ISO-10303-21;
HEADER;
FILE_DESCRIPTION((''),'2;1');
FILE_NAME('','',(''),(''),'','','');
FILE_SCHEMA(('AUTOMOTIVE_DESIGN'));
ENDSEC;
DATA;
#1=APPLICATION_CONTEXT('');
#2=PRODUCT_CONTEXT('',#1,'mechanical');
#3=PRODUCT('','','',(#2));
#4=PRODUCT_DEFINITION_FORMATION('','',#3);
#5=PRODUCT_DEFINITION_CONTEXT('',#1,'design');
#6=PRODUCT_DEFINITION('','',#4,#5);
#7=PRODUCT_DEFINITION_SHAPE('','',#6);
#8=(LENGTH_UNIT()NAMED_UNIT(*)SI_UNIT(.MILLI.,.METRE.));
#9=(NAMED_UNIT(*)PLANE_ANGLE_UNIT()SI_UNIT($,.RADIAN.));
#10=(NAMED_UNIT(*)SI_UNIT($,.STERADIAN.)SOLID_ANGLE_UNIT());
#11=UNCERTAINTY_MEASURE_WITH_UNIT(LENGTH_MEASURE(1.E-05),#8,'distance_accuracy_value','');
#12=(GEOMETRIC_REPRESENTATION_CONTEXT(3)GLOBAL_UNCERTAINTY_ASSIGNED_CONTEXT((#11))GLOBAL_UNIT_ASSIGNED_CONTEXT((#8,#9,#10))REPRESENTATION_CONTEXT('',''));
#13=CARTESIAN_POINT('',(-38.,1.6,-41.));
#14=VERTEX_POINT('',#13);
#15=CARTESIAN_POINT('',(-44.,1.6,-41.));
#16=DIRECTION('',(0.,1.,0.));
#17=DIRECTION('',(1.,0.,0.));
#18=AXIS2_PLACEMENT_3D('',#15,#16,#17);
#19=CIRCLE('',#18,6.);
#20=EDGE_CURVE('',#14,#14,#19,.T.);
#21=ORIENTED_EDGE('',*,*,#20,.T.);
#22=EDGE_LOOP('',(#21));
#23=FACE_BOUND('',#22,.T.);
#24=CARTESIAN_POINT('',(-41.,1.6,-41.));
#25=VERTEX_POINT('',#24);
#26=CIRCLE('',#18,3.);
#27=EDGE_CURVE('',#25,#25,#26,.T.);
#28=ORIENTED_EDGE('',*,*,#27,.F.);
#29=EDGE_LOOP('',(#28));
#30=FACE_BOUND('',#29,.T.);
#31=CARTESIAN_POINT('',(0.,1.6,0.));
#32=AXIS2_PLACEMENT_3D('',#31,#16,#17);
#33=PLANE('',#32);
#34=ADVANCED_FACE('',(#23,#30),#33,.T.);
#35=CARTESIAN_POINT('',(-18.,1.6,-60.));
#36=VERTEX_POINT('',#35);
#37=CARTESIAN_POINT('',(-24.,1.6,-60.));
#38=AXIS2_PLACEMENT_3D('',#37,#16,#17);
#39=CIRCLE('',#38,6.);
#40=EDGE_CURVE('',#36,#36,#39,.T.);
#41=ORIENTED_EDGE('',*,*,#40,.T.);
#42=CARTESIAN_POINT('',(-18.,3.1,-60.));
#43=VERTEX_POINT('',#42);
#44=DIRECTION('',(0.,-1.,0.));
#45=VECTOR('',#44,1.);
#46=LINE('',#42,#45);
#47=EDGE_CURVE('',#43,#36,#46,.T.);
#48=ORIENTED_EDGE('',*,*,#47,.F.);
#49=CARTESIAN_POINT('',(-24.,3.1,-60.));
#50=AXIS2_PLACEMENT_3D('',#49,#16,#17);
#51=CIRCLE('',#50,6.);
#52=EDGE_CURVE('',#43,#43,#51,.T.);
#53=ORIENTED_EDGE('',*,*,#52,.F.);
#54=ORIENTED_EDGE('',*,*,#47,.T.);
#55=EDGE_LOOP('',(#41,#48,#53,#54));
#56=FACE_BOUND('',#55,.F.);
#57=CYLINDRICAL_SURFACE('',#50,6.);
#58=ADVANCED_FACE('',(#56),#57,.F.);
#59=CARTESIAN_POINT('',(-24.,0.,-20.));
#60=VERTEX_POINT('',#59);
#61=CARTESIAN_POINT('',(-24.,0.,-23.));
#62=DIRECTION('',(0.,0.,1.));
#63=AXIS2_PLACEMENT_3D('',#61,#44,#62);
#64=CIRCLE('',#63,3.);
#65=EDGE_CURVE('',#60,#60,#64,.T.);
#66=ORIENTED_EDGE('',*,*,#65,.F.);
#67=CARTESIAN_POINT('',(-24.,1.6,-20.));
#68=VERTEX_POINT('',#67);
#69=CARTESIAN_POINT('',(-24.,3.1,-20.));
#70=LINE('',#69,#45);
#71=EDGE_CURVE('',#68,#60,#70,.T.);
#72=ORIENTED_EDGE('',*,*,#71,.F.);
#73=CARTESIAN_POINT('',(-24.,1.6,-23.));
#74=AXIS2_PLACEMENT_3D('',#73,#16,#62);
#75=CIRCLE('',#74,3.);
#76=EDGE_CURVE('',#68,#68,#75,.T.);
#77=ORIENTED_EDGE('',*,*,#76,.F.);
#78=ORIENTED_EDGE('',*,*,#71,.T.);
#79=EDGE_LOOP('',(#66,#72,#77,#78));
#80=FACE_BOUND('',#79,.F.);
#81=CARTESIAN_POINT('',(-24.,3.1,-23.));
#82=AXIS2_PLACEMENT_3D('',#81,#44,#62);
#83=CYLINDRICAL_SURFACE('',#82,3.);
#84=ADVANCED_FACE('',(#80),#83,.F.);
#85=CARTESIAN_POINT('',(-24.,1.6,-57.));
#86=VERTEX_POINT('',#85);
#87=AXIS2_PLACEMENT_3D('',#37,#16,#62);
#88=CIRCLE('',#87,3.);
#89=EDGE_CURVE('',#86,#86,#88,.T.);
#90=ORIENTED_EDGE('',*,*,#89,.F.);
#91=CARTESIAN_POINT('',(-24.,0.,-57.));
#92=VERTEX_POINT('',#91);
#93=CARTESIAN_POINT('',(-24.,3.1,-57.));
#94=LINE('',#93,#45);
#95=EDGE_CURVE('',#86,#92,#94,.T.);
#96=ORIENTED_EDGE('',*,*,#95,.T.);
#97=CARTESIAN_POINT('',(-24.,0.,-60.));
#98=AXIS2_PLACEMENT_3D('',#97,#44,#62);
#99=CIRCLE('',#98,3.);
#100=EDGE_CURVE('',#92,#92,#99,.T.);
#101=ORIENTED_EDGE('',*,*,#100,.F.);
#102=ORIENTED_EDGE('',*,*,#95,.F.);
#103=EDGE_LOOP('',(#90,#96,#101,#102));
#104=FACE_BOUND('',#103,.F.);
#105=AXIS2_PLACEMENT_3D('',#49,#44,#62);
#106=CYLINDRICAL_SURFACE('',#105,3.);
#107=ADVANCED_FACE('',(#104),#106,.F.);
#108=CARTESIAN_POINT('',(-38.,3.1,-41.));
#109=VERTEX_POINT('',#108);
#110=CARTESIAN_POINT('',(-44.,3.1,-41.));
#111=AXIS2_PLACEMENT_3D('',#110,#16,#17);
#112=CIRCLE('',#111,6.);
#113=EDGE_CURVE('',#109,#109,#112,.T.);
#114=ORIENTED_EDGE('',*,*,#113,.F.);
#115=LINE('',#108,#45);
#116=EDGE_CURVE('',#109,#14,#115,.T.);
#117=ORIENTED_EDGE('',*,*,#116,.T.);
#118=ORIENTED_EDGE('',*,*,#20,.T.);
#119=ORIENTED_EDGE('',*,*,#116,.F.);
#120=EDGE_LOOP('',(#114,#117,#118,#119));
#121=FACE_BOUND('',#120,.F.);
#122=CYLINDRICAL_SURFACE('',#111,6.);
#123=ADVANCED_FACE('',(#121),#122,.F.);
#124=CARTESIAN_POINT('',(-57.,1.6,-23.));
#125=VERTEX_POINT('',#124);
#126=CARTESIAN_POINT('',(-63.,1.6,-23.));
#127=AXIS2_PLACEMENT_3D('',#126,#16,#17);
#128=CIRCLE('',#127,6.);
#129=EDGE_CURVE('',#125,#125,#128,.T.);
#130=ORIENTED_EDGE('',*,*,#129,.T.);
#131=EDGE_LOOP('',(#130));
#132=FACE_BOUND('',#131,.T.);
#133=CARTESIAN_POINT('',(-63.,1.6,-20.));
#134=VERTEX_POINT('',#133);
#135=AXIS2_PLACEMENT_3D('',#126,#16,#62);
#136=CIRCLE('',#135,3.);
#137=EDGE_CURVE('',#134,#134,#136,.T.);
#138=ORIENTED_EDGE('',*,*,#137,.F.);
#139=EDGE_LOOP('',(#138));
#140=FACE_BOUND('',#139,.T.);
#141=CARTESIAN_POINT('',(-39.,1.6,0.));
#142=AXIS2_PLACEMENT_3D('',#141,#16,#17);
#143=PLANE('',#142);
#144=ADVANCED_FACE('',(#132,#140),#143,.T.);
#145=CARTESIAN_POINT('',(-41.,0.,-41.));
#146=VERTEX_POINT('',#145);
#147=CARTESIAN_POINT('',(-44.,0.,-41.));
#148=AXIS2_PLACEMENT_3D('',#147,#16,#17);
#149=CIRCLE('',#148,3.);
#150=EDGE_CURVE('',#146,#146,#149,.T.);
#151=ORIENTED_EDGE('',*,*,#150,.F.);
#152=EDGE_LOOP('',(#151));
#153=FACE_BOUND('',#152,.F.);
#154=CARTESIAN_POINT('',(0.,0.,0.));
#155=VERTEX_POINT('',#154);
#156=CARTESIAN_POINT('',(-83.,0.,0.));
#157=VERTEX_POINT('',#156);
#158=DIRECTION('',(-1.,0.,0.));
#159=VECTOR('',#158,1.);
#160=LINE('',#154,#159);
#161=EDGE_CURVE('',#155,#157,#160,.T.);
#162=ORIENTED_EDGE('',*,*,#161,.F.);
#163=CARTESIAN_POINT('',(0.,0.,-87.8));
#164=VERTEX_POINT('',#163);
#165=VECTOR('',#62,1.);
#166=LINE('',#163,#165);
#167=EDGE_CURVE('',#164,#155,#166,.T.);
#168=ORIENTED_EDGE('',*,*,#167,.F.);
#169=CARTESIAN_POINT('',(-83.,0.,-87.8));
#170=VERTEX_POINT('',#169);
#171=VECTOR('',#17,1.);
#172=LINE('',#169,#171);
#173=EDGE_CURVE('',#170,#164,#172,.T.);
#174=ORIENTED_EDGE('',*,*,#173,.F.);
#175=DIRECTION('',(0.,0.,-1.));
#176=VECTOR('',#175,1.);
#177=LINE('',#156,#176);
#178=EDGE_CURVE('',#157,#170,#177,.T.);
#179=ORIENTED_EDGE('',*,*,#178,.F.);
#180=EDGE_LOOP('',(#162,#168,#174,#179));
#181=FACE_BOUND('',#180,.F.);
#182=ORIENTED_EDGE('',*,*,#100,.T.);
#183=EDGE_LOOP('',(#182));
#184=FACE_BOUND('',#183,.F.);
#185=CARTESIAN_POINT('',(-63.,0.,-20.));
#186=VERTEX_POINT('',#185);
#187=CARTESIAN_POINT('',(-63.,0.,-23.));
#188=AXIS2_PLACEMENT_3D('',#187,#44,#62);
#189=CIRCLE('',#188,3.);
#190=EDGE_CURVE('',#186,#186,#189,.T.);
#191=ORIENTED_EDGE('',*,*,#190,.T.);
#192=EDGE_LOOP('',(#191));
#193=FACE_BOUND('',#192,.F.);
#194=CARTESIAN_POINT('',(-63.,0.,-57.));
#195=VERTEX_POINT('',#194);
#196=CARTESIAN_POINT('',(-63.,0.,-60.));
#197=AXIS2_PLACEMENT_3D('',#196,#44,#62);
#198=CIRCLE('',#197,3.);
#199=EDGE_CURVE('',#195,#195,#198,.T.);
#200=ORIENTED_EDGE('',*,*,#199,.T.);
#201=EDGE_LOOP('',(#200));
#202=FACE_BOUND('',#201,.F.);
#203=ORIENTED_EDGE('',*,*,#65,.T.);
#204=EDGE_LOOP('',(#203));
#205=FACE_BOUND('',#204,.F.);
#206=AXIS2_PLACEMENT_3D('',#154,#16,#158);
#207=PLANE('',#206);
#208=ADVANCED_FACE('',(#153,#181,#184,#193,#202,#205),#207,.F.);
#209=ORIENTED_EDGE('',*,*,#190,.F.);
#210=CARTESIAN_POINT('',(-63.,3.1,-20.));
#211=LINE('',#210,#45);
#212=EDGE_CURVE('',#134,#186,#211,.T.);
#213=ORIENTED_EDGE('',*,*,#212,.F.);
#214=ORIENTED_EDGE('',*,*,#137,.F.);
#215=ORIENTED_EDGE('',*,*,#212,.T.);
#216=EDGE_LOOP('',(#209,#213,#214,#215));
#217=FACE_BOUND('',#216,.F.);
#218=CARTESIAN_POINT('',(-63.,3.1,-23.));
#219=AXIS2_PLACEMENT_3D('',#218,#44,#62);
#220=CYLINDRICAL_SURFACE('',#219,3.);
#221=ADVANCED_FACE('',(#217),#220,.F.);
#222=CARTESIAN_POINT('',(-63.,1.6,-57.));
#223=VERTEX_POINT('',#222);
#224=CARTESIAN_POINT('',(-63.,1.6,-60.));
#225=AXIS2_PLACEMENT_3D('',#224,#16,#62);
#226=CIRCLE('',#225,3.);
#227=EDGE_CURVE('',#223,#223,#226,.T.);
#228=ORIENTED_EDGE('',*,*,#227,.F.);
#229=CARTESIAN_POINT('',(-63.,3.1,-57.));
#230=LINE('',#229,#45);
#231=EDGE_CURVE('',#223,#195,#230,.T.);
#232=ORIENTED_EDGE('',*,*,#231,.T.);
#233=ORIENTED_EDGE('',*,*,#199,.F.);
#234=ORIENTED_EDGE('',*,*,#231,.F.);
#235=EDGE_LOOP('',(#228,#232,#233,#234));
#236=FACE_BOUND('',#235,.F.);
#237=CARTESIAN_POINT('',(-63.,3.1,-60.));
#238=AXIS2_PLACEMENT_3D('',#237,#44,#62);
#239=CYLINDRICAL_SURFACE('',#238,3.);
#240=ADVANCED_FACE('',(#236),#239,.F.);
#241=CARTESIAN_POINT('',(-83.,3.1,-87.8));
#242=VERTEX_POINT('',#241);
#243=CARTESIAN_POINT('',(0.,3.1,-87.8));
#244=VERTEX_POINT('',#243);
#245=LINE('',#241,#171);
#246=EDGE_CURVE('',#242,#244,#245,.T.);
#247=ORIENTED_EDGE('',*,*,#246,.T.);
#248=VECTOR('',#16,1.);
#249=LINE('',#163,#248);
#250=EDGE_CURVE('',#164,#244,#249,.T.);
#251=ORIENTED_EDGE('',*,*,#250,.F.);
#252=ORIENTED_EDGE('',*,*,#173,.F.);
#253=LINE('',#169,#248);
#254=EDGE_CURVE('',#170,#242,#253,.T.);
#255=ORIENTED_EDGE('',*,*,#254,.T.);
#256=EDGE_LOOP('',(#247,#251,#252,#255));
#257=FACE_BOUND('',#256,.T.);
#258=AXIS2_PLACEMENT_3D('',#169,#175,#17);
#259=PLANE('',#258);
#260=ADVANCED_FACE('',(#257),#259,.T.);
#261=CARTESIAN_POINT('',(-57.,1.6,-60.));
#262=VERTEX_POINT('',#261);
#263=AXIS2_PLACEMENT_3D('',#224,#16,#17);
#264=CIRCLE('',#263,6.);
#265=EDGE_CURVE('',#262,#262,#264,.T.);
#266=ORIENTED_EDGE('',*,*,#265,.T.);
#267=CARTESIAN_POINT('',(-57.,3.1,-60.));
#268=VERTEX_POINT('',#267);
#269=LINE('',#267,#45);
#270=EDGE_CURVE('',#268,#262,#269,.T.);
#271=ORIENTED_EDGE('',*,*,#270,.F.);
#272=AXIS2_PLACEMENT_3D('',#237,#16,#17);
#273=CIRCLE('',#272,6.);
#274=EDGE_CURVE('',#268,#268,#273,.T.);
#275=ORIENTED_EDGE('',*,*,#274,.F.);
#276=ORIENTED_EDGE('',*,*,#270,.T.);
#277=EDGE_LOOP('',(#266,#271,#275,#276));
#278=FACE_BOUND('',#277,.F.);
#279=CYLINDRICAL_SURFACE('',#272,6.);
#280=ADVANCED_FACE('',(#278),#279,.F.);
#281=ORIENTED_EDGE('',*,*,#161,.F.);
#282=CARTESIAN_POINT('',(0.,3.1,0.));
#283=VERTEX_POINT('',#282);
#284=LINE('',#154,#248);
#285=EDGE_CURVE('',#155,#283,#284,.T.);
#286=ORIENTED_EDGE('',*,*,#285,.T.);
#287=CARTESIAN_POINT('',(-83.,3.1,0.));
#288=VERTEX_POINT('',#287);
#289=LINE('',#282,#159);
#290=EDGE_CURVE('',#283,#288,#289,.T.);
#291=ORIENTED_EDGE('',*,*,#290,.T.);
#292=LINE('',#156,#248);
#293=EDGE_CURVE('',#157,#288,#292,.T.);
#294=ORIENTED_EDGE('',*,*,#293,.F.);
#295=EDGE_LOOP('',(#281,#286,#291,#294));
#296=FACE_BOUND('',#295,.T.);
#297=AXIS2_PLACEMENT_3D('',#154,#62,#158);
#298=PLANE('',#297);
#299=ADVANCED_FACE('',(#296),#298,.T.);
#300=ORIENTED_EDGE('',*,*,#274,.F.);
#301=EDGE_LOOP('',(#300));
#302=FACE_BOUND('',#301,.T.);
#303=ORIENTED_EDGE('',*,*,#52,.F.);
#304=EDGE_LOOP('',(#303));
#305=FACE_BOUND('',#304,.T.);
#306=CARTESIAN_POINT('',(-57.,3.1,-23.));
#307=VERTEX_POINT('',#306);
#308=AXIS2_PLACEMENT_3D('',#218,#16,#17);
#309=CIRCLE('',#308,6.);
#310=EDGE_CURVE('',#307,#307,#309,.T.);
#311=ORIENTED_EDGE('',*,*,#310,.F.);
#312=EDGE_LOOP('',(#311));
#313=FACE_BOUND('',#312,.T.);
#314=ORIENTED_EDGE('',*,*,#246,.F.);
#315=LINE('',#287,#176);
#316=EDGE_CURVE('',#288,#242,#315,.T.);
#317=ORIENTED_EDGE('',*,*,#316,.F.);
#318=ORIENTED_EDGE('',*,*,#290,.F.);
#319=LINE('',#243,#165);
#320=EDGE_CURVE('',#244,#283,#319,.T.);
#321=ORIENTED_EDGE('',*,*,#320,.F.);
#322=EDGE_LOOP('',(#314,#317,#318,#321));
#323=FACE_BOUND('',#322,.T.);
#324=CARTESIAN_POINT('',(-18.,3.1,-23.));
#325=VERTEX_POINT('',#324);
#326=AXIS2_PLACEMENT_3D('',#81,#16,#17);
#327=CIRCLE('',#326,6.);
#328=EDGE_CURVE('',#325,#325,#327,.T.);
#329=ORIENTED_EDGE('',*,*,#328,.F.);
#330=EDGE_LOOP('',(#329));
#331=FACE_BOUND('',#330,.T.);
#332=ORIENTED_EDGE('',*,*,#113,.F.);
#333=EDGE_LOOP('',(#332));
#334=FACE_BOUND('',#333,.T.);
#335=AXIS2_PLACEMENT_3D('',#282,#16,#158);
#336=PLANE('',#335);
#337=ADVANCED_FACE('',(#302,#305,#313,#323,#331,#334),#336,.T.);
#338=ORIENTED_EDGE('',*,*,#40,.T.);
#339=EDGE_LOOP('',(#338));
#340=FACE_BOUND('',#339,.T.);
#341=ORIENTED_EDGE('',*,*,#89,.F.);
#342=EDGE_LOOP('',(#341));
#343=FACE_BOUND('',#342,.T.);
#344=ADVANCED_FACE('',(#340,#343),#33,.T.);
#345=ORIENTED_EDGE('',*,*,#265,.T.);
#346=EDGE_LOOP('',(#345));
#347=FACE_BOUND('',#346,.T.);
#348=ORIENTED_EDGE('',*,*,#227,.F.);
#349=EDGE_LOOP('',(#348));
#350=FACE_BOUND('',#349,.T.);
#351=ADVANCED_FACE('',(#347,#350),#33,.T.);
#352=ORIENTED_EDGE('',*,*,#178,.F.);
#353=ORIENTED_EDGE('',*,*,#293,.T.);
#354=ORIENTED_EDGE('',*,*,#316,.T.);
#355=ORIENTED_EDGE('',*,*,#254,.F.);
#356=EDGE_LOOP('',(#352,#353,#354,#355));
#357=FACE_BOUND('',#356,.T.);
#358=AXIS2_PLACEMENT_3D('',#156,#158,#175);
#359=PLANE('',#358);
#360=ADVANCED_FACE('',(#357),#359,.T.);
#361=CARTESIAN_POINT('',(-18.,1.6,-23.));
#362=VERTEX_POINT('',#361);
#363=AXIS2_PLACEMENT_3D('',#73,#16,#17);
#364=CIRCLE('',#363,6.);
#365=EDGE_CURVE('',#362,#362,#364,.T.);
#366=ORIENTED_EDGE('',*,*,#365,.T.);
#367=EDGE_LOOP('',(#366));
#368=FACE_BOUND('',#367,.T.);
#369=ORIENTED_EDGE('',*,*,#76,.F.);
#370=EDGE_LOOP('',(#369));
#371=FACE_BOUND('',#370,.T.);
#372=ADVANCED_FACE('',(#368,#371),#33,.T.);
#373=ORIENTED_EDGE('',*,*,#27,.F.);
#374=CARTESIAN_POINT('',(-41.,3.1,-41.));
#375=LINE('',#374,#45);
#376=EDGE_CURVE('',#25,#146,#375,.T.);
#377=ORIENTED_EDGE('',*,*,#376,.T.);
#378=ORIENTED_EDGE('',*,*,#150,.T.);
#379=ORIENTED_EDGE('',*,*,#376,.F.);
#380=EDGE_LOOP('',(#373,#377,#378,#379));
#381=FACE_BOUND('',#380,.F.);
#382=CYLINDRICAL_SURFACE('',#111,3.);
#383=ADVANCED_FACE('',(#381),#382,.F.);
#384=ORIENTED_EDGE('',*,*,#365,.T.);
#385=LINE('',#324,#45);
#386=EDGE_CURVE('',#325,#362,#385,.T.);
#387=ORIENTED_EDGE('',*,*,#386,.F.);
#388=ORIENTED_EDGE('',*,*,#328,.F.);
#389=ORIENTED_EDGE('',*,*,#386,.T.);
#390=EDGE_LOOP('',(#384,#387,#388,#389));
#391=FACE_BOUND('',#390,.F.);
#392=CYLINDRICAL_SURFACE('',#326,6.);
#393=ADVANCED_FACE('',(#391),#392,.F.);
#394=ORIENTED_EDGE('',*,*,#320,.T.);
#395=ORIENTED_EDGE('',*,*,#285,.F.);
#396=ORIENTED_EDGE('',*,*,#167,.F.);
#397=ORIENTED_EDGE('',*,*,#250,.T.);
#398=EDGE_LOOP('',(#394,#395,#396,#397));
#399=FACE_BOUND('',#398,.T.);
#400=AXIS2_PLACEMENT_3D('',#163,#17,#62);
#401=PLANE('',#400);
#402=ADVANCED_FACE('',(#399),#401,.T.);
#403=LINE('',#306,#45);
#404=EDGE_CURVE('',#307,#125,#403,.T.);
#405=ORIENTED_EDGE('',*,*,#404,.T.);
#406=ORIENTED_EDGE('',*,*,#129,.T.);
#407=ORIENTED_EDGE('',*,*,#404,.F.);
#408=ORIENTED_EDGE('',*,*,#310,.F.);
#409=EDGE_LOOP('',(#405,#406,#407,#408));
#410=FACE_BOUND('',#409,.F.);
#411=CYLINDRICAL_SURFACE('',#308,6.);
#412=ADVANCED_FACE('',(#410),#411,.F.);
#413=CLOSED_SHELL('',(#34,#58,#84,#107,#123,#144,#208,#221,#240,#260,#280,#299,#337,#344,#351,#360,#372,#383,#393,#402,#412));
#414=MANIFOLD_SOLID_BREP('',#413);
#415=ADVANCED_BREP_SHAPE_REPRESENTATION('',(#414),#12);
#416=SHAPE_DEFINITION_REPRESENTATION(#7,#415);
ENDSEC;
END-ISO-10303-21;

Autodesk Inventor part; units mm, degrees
ref_plane "YZ Plane" through (0, 0, 0) normal (1, 0, 0) x (0, 1, 0)
ref_plane "XZ Plane" through (0, 0, 0) normal (0, 1, 0) x (-1, 0, 0)
ref_plane "XY Plane" through (0, 0, 0) normal (0, 0, 1) x (1, 0, 0)
sketch "草圖1" plane through (0, 0, 0) normal (0, 1, 0) x (-1, 0, 0)
  line L0 (0, 0) -> (83, 0)
  line L1 (83, 0) -> (83, -87.8)
  line L2 (83, -87.8) -> (0, -87.8)
  line L3 (0, -87.8) -> (0, 0)
  dimension "d0" = 87.8
  dimension "d1" = 83
extrude "擠出1" add sketch "草圖1" along normal blind 3.1
sketch "草圖2" plane through (0, 3.1, 0) normal (0, 1, 0) x (1, 0, 0)
  line L0 (-24, -18.3432) -> (-24, 108.3328)
  line L1 (-63, -18.3432) -> (-63, 117.1807)
  line L2 (-93.8741, 60) -> (24.8173, 60)
  line L3 (19.8538, 23) -> (-101.6429, 23)
  line L4 (-44, -5.6109) -> (-44, 94.0899)
  line L5 (-89.7738, 41) -> (11.6533, 41)
  line L6 (-83, 0) -> (0, 0) projected
  line L7 (0, 0) -> (0, 87.8) projected
  circle A0 centre (-63, 23) radius 6
  circle A1 centre (-24, 23) radius 6
  circle A2 centre (-24, 60) radius 6
  circle A3 centre (-63, 60) radius 6
  circle A4 centre (-44, 41) radius 6
  dimension "d4" = 23
  dimension "d5" = 37
  dimension "d6" = 24
  dimension "d7" = 44
  dimension "d8" = 39
  dimension "d9" = 41
  dimension "d10" = 12
  dimension "d11" = 12
  dimension "d12" = 12
  dimension "d13" = 12
  dimension "d14" = 12
hole "孔1" at (-24, 3.1, -23) at (-63, 3.1, -23) at (-63, 3.1, -60) at (-24, 3.1, -60) direction (0, -1, 0) diameter 6 end through all
sketch "草圖4" plane through (0, 3.1, 0) normal (0, 1, 0) x (1, 0, 0)
  point P0 (0, 0)
sketch "草圖5" plane through (0, 3.1, 0) normal (0, 1, 0) x (1, 0, 0)
  circle A0 centre (-24, 23) radius 3 projected
  circle A1 centre (-24, 23) radius 6
  point P0 (0, 0)
  dimension "d40" = 12
extrude "擠出2" cut sketch "草圖5" against normal blind 1.5
pattern_linear "矩形陣列2" count 2 spacing 39 along (-1, 0, 0) of "擠出2"
sketch "草圖6" plane through (0, 3.1, 0) normal (0, 1, 0) x (1, 0, 0)
  circle A0 centre (-63, 60) radius 3 projected
  circle A1 centre (-63, 60) radius 6
  circle A2 centre (-24, 60) radius 3 projected
  circle A3 centre (-24, 60) radius 6
  point P0 (0, 0)
  dimension "d46" = 12
  dimension "d47" = 12
extrude "擠出3" cut sketch "草圖6" against normal blind 1.5
sketch "草圖7" plane through (0, 3.1, 0) normal (0, 1, 0) x (1, 0, 0)
  circle A0 centre (-44, 41) radius 3
  line L0 (-83, 0) -> (0, 0) projected
  line L1 (0, 0) -> (0, 87.8) projected
  dimension "d50" = 6
  dimension "d51" = 41
  dimension "d52" = 44
extrude "擠出4" cut sketch "草圖7" against normal blind 5
sketch "草圖8" plane through (0, 3.1, 0) normal (0, 1, 0) x (1, 0, 0)
  circle A0 centre (-44, 41) radius 3 projected
  circle A1 centre (-44, 41) radius 6
  point P0 (0, 0)
  dimension "d55" = 12
extrude "擠出5" cut sketch "草圖8" against normal blind 1.5
properties part number "底板" material "鋁合金 6061"
